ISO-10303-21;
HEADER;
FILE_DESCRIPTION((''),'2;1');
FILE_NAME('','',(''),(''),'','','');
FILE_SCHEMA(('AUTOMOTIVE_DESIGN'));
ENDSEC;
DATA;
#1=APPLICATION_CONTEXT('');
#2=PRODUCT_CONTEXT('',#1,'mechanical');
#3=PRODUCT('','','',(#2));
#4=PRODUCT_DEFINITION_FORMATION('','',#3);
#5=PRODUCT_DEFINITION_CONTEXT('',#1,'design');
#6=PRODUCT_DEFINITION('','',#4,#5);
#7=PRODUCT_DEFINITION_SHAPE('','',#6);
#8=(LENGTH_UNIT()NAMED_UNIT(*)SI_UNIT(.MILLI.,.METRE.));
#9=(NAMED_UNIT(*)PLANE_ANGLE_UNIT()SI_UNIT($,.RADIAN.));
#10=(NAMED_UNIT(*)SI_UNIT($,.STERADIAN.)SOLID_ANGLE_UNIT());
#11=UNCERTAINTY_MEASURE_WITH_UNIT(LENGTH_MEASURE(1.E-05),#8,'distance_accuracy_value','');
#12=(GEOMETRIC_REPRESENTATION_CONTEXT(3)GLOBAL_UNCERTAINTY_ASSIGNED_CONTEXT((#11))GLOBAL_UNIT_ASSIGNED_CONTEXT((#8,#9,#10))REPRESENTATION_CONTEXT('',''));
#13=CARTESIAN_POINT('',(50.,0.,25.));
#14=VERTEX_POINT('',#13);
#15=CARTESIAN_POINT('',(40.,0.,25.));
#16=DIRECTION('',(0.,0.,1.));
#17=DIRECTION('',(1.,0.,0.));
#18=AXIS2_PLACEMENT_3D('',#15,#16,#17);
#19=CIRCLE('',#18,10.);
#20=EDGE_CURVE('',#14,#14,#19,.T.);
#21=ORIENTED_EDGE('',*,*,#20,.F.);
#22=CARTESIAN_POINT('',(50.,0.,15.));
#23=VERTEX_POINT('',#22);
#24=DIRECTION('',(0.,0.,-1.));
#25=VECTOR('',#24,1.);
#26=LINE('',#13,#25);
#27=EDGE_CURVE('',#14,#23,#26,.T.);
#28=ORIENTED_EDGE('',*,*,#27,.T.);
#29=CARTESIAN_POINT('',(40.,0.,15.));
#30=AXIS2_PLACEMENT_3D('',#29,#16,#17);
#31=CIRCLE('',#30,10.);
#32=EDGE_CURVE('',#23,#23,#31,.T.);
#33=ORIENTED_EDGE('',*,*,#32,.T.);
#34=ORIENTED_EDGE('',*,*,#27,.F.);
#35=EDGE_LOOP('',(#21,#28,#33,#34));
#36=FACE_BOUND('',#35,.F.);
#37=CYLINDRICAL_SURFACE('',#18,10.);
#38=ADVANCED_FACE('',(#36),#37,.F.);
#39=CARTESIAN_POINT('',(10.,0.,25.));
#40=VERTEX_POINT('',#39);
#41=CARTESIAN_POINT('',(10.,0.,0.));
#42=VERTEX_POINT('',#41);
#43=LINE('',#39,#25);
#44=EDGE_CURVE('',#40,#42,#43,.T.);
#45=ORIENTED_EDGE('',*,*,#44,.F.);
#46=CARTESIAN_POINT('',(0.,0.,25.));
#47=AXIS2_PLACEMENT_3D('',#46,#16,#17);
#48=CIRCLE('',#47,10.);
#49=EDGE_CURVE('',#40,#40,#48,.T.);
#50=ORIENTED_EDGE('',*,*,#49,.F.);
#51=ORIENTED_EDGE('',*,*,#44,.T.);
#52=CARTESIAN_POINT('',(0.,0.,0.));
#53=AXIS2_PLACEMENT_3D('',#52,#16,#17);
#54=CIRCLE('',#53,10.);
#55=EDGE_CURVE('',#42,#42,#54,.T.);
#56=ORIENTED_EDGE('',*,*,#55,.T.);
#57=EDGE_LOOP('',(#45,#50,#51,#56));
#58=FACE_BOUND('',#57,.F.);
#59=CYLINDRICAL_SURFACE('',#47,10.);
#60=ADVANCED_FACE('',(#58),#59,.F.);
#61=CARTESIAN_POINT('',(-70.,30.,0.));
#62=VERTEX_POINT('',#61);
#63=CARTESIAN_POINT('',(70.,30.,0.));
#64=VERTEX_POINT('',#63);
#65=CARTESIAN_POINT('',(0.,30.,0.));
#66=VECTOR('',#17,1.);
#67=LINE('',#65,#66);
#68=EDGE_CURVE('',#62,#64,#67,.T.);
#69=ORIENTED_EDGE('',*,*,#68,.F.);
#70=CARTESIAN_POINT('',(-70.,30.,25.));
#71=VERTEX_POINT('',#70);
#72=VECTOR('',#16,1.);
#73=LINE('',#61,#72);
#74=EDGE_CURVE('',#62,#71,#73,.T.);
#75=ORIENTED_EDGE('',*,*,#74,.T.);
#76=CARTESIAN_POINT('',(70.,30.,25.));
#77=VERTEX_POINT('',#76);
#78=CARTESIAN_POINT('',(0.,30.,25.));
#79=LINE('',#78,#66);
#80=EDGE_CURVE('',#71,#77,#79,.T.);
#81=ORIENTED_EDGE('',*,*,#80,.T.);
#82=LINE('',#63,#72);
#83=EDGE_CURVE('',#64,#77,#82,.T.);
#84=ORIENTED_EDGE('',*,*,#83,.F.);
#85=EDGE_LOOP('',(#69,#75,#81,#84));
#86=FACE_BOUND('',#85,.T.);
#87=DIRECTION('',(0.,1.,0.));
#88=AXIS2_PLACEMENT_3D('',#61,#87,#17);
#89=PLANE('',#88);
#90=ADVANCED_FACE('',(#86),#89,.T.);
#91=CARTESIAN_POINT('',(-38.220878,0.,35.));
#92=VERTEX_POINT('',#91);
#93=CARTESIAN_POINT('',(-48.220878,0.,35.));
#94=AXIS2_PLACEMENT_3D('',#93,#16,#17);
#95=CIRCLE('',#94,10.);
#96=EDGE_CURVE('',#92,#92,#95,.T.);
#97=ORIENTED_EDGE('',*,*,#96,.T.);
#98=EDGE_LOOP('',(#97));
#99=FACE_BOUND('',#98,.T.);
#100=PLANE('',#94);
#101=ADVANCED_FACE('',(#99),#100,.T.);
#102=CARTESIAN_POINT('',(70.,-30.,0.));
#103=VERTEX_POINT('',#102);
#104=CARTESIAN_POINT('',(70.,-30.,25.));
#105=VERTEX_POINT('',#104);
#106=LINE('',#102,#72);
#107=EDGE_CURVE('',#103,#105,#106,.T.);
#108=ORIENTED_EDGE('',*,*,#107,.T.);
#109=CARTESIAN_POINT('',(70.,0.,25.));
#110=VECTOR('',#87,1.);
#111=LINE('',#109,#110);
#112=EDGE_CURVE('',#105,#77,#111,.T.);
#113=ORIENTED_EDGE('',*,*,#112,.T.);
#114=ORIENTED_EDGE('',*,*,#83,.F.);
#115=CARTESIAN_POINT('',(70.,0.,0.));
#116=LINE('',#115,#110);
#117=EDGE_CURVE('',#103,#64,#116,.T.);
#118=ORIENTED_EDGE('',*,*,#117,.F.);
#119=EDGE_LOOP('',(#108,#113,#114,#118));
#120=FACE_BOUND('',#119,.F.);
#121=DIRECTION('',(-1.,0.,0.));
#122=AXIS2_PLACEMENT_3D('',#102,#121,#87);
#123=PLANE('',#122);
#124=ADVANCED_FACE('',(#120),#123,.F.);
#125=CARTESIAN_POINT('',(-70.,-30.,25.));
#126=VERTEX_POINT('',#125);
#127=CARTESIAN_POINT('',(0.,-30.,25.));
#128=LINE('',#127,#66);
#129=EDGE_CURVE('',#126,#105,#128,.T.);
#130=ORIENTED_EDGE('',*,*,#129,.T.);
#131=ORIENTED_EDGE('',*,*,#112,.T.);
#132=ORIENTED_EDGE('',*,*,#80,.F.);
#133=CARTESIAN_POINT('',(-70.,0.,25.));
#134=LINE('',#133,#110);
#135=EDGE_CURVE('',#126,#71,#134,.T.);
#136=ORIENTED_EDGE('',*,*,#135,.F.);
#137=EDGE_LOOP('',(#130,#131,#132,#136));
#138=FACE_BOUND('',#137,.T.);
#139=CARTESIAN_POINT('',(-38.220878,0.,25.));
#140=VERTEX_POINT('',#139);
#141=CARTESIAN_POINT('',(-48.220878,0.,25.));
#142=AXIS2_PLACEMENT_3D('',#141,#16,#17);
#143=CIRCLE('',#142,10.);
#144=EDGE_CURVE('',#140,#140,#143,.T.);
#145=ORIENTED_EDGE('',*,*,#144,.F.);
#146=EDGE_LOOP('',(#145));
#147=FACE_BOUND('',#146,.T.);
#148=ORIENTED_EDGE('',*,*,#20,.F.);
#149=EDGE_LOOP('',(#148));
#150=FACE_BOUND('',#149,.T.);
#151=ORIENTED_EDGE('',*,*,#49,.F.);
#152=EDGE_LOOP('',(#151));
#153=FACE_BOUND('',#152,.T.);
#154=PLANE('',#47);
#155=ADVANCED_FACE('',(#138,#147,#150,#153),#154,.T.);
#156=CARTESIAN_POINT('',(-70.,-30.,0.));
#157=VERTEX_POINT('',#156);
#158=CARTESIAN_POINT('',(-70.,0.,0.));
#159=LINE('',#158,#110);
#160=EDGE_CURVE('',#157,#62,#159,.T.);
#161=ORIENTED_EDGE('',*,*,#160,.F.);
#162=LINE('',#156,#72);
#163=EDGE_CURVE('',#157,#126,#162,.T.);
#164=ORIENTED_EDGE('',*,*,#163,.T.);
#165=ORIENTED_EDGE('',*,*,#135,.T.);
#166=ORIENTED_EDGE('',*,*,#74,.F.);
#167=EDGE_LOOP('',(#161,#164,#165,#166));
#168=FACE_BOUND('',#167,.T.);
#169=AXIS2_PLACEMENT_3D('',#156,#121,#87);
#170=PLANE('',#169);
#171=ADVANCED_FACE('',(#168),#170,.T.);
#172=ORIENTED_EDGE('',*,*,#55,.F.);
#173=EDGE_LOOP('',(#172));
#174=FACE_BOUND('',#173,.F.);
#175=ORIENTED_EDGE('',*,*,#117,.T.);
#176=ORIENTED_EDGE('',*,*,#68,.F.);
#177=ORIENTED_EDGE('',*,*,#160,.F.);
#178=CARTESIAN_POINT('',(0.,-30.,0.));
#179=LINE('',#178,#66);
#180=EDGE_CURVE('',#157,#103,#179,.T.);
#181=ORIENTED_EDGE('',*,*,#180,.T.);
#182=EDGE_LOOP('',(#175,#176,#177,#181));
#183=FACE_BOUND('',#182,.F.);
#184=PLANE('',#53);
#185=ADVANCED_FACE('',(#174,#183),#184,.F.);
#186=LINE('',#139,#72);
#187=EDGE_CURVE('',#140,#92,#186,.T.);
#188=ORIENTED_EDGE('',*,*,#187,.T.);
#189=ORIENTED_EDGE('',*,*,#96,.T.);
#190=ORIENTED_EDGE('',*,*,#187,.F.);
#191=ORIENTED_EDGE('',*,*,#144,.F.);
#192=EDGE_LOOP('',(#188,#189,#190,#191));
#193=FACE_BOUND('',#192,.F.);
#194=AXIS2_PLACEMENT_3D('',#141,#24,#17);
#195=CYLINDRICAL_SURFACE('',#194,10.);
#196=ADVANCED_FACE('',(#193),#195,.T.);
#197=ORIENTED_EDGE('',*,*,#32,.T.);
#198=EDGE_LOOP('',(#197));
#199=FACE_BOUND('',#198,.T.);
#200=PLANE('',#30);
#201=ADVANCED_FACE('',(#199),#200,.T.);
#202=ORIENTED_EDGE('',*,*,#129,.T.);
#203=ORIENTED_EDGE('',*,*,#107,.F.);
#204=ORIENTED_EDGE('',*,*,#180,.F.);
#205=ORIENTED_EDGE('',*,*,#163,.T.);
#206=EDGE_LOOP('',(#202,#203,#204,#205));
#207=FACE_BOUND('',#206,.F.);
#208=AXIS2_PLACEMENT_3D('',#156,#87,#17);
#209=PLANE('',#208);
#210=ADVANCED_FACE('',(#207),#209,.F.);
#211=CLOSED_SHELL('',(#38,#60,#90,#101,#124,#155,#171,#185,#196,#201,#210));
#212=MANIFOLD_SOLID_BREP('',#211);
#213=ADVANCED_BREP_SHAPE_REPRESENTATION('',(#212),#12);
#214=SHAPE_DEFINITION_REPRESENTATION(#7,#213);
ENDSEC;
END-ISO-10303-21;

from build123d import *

# Parameters (mm, degrees)
F0_W     = 140
F0_H     = 60
F1_DEPTH = 25
F2_R     = 10
F5_DEPTH = 10
F4_R     = 10
F6_DEPTH = 41.8
F3_R     = 10
F7_DEPTH = 10


with BuildPart() as f1:
    # F0 (on Top) → F1 (new body)
    with BuildSketch(Plane.XY):
        Rectangle(F0_W, F0_H)
    extrude(amount=F1_DEPTH)

    # F2 (on face) → F5 (join)
    with BuildSketch(Plane.XY.offset(25)):
        with Locations((-48.220878, 0)):
            Circle(F2_R)
    extrude(amount=F5_DEPTH)

    # F4 (on face) → F6 (cut)
    with BuildSketch(Plane.XY.offset(25)):
        Circle(F4_R)
    extrude(amount=-F6_DEPTH, mode=Mode.SUBTRACT)

    # F3 (on face) → F7 (cut)
    with BuildSketch(Plane.XY.offset(25)):
        with Locations((40, 0)):
            Circle(F3_R)
    extrude(amount=-F7_DEPTH, mode=Mode.SUBTRACT)


solid = f1.part
